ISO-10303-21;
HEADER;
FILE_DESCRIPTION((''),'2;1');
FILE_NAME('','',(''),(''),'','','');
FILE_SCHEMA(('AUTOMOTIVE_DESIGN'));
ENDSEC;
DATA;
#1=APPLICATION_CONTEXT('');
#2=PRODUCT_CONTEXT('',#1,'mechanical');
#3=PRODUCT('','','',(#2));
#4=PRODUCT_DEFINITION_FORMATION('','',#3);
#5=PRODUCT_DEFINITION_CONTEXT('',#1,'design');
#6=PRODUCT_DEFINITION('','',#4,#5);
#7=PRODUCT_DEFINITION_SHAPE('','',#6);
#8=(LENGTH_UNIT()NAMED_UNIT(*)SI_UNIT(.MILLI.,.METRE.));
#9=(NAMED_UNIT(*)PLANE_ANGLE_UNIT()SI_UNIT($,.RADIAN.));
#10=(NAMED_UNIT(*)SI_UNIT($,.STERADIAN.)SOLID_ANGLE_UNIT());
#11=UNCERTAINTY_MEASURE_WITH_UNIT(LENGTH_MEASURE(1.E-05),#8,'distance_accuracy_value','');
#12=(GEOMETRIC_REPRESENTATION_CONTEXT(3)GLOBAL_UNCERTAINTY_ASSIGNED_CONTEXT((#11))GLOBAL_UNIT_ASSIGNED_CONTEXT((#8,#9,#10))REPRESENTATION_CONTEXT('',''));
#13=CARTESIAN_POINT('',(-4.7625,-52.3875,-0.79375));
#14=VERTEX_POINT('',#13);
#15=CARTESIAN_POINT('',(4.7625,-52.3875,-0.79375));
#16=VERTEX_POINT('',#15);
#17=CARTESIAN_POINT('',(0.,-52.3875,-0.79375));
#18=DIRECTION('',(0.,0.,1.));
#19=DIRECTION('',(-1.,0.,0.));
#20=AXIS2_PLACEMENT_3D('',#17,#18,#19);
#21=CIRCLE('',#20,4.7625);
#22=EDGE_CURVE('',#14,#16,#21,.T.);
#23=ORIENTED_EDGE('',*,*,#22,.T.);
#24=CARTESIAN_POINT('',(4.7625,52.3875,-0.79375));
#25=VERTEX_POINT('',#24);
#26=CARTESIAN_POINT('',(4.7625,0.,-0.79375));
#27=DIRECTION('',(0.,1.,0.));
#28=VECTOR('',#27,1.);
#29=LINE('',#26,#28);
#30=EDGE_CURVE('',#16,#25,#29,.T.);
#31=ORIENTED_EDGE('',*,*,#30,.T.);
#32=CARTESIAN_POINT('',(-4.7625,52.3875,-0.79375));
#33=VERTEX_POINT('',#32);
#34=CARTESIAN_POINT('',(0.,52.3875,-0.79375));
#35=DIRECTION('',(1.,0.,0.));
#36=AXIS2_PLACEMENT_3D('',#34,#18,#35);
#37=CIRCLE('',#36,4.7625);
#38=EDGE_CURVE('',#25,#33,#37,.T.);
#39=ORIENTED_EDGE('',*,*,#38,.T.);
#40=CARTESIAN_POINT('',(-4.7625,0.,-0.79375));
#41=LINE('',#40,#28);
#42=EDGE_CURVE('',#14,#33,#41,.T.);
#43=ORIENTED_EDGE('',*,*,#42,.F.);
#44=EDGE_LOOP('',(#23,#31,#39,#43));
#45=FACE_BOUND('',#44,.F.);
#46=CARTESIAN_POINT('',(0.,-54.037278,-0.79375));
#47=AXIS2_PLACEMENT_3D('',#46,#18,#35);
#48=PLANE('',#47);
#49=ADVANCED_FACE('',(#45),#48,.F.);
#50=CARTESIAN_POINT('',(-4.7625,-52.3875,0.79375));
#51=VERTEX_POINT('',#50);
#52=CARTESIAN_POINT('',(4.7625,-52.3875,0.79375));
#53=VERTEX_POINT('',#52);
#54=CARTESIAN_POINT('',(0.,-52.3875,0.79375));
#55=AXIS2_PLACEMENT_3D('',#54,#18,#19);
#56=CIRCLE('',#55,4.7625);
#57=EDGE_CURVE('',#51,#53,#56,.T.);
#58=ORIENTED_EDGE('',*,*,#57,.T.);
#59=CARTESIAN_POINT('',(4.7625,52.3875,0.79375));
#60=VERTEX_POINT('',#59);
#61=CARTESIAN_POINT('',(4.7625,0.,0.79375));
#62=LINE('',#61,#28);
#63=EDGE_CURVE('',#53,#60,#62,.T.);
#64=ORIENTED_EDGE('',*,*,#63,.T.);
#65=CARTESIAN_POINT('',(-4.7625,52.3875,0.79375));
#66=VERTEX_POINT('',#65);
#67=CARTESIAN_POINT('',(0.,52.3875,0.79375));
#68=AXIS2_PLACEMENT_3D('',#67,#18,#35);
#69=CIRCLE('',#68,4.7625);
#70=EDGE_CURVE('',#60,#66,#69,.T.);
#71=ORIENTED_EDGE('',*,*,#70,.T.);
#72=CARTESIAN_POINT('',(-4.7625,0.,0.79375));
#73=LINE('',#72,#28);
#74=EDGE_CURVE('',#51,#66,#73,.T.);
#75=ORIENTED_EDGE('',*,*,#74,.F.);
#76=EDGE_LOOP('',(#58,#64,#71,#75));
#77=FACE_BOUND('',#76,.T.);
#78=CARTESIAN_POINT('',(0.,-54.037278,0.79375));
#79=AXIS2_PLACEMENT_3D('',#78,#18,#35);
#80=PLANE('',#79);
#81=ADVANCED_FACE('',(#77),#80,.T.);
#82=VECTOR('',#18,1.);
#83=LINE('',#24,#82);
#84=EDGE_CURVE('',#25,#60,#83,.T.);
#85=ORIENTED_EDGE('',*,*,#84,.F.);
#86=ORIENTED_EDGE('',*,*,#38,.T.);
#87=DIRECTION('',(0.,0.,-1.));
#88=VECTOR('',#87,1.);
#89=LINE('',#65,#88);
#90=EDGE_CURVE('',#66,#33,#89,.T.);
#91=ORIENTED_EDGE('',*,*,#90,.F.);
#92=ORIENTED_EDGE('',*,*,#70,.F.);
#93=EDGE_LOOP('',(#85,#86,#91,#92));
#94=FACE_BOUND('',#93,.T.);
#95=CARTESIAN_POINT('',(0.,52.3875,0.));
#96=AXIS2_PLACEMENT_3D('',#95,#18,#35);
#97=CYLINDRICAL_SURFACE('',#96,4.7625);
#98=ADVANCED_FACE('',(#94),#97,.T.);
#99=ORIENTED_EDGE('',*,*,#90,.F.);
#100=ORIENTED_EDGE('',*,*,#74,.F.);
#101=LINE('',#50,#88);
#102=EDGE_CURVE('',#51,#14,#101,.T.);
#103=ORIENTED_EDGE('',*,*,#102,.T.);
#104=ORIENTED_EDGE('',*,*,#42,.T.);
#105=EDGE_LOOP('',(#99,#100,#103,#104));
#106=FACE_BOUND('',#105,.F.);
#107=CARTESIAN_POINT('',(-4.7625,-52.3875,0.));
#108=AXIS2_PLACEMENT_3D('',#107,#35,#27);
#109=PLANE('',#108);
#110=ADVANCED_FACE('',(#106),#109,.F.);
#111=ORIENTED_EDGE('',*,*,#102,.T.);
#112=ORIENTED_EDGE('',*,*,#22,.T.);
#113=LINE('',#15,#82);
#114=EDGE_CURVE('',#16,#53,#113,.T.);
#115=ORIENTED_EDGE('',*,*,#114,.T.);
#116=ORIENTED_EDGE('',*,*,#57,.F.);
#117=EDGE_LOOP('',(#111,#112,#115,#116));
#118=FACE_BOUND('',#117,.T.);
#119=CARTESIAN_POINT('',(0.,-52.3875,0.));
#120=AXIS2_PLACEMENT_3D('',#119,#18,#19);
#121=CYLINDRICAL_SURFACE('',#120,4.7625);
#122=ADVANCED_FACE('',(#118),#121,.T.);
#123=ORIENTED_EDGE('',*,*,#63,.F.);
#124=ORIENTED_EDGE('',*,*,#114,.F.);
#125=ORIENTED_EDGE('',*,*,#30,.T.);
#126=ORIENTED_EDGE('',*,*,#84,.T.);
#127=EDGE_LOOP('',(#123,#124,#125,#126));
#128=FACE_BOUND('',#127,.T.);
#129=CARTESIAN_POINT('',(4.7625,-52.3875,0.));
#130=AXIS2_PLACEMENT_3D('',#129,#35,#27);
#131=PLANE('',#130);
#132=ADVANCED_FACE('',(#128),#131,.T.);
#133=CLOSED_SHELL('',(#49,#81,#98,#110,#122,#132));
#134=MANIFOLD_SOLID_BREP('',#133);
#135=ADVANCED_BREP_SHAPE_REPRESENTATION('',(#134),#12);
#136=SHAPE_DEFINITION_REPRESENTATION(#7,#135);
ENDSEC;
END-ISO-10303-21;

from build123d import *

# Parameters (mm, degrees)
F0_W     = 9.525
F0_H     = 104.775
F1_DEPTH = 0.79375


with BuildPart() as f1:
    # F0 (on Top) → F1 (new body, symmetric)
    with BuildSketch(Plane.XY):
        with BuildLine():
            ThreePointArc((-4.7625, -52.3875), (0, -57.15), (4.7625, -52.3875))
            Line((4.7625, -52.3875), (-4.7625, -52.3875))
        make_face()
        Rectangle(F0_W, F0_H)
        with BuildLine():
            Line((-4.7625, 52.3875), (4.7625, 52.3875))
            ThreePointArc((4.7625, 52.3875), (0, 57.15), (-4.7625, 52.3875))
        make_face()
    extrude(amount=F1_DEPTH, both=True)


solid = f1.part
